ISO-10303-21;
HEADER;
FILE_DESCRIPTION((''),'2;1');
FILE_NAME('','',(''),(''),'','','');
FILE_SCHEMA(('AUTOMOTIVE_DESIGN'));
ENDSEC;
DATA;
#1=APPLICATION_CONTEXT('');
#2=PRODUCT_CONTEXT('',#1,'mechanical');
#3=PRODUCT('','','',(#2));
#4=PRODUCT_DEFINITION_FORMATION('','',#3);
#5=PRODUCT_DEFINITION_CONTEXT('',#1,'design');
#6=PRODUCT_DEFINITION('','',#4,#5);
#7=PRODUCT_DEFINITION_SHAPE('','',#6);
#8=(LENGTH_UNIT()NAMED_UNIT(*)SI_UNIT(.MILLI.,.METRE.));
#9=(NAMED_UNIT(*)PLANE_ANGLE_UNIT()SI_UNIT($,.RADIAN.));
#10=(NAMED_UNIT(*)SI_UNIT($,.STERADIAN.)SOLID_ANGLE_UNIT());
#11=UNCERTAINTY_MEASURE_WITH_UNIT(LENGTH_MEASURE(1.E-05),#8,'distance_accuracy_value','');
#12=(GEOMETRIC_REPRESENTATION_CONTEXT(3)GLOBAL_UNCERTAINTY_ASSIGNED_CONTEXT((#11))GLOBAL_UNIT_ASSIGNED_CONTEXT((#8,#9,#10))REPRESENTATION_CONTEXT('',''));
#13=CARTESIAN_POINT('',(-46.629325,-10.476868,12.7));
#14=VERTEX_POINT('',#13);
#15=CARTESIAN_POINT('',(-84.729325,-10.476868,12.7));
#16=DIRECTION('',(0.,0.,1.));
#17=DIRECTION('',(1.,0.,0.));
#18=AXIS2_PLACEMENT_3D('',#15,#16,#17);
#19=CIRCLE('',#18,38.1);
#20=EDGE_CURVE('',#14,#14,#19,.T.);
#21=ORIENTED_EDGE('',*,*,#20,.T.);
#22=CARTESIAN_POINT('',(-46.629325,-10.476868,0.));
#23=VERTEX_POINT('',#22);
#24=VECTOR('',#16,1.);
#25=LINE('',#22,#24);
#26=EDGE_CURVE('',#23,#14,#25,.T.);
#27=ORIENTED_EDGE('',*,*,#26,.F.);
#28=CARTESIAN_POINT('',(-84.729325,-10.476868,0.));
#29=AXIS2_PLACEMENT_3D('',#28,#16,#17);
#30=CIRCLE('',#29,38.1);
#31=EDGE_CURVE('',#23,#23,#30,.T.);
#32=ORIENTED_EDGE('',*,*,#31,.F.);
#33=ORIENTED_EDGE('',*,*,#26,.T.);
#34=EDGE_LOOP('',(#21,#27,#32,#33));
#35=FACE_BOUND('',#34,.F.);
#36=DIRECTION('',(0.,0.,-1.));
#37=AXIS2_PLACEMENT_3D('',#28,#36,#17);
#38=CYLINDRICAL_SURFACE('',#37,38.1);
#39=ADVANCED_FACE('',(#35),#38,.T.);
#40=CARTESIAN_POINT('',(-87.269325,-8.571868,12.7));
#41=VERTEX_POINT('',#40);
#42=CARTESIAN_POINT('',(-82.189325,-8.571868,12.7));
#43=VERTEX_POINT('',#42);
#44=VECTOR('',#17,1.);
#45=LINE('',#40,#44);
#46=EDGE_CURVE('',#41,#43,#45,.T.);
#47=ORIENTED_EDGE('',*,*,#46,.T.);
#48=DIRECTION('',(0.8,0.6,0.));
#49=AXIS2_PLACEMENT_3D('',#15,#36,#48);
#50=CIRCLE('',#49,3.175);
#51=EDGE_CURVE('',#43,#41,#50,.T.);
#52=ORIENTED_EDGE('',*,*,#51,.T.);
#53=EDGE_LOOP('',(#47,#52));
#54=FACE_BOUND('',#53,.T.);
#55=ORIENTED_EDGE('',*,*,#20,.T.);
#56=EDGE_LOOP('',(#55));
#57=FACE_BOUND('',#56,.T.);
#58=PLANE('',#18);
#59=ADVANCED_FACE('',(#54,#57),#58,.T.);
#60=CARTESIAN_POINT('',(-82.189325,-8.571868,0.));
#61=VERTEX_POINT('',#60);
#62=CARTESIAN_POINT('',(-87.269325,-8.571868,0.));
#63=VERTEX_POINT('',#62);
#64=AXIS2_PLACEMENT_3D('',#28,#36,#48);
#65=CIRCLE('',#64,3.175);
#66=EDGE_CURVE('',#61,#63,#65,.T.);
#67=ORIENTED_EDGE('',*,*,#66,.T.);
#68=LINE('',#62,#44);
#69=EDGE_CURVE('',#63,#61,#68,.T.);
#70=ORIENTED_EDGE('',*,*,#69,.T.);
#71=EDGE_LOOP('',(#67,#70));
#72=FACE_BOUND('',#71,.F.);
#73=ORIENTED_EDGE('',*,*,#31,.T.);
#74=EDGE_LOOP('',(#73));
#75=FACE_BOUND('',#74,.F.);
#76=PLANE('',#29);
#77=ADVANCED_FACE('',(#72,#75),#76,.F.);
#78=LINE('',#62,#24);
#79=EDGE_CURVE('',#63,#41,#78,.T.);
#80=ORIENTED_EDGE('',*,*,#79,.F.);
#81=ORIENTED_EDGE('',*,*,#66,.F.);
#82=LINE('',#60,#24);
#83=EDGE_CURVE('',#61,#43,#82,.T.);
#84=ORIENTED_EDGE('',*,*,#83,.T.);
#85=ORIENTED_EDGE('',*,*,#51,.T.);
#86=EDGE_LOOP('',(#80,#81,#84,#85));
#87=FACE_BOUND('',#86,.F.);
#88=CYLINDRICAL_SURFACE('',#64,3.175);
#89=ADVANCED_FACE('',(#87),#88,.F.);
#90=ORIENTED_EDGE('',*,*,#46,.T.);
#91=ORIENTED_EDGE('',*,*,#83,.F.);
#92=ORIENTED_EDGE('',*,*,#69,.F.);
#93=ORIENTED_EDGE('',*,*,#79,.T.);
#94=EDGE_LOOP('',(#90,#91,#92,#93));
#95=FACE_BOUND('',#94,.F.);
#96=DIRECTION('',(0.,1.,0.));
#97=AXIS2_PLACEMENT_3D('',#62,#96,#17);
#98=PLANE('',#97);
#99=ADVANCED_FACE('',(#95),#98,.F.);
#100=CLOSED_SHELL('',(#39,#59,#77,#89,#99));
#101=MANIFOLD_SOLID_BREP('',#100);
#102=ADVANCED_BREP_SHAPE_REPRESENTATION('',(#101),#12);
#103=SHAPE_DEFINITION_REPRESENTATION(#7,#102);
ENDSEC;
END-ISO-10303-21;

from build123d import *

# Parameters (mm, degrees)
F0_R     = 38.1
F1_DEPTH = 12.7


with BuildPart() as f1:
    # F0 (on Top) → F1 (new body)
    with BuildSketch(Plane.XY):
        with Locations((-84.729325, -10.476868)):
            Circle(F0_R)
        with BuildLine():
            ThreePointArc((-82.189325, -8.571868), (-84.729325, -13.651868), (-87.269325, -8.571868))
            Line((-87.269325, -8.571868), (-82.189325, -8.571868))
        make_face(mode=Mode.SUBTRACT)
    extrude(amount=F1_DEPTH)


solid = f1.part
